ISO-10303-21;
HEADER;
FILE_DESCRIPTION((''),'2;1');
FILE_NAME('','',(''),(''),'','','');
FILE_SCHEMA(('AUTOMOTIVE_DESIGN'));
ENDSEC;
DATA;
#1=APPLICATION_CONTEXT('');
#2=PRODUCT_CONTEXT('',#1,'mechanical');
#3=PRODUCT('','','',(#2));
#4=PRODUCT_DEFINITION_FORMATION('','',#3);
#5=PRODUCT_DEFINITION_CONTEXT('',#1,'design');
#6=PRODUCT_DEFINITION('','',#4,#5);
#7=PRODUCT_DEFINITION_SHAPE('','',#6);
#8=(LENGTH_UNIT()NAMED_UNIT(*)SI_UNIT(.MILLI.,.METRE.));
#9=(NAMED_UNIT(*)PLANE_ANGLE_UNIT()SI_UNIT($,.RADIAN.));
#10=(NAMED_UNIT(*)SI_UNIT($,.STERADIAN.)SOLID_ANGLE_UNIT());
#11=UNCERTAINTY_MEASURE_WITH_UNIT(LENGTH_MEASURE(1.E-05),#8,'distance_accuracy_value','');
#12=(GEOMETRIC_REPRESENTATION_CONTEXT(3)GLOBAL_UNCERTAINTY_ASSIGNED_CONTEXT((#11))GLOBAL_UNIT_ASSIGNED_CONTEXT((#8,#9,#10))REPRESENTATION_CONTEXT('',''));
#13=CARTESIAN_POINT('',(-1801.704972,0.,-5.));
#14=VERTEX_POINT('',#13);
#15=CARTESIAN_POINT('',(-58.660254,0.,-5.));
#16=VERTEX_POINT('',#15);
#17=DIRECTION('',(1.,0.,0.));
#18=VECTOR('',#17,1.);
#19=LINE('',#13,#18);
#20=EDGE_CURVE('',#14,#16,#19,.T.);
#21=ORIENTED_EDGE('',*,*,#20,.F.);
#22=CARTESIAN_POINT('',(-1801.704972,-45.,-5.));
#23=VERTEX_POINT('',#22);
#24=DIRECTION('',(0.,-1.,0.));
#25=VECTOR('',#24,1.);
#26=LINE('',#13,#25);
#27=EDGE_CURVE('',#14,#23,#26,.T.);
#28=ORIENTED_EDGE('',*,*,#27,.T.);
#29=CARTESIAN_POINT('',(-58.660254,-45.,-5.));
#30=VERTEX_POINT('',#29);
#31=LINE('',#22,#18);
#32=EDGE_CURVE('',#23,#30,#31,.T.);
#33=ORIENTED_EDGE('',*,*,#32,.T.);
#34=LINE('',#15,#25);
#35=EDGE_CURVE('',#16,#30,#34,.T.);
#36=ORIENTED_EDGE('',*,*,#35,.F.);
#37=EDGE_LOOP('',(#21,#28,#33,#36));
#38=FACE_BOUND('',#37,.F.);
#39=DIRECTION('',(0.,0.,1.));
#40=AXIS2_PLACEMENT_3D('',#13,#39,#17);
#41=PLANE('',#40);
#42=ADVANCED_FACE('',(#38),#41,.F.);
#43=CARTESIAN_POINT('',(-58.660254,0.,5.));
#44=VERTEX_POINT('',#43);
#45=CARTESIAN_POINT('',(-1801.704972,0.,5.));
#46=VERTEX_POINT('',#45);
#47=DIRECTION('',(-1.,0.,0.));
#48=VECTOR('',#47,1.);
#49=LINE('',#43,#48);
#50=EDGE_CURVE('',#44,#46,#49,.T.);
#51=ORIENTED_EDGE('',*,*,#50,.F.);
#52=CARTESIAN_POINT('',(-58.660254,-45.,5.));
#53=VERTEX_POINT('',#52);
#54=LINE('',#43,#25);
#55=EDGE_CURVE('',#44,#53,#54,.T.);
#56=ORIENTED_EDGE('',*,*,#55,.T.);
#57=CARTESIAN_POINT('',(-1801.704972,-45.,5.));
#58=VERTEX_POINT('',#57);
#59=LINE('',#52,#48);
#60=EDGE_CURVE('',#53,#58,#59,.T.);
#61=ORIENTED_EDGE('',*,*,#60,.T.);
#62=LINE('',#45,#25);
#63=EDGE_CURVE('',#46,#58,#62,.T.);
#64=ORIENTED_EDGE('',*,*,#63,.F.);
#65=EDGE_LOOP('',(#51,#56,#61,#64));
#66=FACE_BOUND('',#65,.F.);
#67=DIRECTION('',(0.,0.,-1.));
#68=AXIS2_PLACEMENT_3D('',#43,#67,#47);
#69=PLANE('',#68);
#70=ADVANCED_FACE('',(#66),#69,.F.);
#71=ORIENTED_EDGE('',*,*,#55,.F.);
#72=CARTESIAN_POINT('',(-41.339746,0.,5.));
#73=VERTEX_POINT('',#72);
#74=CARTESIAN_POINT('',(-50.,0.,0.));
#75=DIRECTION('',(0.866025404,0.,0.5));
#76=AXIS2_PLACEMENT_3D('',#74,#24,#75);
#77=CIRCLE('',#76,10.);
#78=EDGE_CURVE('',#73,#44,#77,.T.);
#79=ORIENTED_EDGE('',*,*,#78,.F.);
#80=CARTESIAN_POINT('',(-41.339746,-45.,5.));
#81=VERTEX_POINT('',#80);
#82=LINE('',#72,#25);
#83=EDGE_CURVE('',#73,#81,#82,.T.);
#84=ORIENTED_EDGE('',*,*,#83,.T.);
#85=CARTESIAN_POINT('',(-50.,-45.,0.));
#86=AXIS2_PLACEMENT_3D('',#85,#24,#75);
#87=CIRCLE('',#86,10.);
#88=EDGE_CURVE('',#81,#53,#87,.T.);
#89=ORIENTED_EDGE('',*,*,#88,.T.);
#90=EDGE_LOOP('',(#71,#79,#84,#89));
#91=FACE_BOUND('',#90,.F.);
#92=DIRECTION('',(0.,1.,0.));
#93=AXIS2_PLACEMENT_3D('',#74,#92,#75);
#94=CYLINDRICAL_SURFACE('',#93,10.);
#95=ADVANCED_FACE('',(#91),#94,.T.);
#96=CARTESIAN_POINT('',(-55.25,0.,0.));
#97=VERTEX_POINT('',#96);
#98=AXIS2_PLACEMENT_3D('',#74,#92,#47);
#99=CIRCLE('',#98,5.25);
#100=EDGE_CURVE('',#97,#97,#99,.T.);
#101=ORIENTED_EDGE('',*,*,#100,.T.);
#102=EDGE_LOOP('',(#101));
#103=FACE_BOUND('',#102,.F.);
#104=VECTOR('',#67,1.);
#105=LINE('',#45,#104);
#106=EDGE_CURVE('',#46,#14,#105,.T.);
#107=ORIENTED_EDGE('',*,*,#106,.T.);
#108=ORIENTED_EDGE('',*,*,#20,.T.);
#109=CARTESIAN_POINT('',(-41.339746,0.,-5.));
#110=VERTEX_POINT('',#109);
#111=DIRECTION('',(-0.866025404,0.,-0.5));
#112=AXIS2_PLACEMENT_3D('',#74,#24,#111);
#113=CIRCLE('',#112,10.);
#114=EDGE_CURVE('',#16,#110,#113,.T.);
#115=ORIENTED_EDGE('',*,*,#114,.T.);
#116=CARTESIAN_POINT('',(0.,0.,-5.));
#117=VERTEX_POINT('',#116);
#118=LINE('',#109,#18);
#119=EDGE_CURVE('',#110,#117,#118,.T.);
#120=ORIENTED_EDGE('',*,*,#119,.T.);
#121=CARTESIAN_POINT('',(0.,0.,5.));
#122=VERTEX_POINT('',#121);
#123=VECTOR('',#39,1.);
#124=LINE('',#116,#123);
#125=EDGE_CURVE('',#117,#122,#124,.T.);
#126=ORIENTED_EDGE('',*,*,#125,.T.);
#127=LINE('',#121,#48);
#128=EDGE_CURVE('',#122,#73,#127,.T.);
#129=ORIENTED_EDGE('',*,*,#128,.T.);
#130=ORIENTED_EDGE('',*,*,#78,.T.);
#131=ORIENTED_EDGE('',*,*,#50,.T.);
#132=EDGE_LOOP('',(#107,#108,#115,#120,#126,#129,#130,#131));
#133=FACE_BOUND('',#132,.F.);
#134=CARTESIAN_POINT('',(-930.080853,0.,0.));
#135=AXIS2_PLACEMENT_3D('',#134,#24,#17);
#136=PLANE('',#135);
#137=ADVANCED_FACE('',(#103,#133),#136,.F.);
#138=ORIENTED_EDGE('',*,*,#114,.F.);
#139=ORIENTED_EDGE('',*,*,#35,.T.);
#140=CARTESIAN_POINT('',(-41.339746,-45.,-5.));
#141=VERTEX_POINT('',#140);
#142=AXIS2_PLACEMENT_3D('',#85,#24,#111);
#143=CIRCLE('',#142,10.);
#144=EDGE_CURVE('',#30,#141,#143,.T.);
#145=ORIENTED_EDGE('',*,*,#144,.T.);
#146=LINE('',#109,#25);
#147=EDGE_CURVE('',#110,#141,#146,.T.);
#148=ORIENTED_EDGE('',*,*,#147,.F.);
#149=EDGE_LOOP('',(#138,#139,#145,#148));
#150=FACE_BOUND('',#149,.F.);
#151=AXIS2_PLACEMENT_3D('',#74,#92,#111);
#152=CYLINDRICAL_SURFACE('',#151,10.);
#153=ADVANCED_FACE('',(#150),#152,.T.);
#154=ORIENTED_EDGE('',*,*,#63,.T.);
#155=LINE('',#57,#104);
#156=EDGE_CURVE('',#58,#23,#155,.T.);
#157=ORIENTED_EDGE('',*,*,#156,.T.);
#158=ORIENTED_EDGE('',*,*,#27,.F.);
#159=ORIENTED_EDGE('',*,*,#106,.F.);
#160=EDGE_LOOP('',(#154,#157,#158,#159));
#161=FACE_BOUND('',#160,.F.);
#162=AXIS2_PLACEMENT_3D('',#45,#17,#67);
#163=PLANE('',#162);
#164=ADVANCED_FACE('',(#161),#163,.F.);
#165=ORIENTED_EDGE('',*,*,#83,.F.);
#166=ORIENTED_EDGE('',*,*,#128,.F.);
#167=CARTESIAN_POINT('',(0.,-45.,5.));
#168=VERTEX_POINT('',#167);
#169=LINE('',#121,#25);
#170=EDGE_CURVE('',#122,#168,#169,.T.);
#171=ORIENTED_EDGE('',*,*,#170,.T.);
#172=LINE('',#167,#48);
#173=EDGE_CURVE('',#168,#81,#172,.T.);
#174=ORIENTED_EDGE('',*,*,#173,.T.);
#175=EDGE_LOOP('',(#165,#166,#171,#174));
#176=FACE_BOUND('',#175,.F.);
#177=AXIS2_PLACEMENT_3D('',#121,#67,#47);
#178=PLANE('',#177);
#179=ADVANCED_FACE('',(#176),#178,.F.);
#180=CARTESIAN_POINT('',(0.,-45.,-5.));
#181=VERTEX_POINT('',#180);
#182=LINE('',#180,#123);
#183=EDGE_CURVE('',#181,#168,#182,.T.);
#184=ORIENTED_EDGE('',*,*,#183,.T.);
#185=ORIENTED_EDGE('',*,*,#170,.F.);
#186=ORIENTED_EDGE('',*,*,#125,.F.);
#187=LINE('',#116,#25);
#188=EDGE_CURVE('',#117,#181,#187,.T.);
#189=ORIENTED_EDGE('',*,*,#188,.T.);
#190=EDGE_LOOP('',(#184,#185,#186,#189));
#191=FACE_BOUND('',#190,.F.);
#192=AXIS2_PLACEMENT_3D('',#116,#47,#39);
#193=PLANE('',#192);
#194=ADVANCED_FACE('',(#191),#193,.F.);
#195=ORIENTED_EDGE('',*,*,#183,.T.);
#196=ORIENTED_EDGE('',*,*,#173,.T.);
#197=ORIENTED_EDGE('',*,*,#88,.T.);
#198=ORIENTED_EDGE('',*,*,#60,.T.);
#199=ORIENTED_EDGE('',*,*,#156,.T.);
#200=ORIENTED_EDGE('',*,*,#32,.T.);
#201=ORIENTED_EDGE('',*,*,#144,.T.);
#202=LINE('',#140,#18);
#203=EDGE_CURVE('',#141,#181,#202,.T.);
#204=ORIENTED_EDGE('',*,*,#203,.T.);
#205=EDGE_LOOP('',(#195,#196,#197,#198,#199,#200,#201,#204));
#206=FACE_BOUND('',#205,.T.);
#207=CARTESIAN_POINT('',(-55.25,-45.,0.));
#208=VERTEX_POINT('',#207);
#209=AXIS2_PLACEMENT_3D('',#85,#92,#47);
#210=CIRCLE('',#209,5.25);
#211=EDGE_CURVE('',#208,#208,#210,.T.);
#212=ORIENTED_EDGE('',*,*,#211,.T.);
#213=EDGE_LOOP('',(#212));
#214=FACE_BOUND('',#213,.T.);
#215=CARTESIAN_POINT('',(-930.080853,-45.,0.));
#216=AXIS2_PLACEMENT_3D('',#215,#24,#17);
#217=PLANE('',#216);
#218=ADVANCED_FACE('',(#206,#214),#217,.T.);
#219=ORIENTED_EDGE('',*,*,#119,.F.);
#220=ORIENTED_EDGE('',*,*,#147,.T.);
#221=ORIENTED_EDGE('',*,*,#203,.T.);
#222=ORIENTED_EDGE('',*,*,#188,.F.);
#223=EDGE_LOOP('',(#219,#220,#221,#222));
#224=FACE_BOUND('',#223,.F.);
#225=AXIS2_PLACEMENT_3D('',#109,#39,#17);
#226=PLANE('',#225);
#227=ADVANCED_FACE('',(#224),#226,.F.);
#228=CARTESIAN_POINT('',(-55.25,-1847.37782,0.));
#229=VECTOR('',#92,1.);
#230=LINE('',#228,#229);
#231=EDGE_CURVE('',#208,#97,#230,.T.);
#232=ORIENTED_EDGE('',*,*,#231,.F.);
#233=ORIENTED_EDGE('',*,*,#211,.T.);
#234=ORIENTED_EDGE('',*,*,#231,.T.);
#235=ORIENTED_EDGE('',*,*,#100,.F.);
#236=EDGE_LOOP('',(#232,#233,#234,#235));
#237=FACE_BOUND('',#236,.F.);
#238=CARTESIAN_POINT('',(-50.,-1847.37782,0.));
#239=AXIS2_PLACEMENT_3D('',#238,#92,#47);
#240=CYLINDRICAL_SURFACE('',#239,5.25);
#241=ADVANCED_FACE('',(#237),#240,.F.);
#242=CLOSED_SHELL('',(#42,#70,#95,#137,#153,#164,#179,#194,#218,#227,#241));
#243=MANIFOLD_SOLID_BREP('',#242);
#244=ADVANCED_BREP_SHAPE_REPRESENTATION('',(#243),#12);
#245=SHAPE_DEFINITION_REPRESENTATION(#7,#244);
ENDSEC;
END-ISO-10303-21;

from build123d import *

# Parameters (mm, degrees)
F1_DEPTH = 45
F3_D     = 10.5


with BuildPart() as f1:
    # F0 (on Front) → F1 (new body)
    with BuildSketch(Plane.XZ):
        with BuildLine():
            Line((-58.6602540378, 5), (-1801.7049721594, 5))
            Line((-1801.7049721594, 5), (-1801.7049721594, -5))
            Line((-1801.7049721594, -5), (-58.6602540378, -5))
            ThreePointArc((-58.6602540378, -5), (-60, 0), (-58.6602540378, 5))
        make_face()
        with BuildLine():
            ThreePointArc((-41.3397459622, 5), (-50, 10), (-58.6602540378, 5))
            ThreePointArc((-58.6602540378, 5), (-60, 0), (-58.6602540378, -5))
            ThreePointArc((-58.6602540378, -5), (-50, -10), (-41.3397459622, -5))
            ThreePointArc((-41.3397459622, -5), (-40.3407417371, -2.588190451), (-40, 0))
            ThreePointArc((-40, 0), (-40.3407417371, 2.588190451), (-41.3397459622, 5))
        make_face()
        with BuildLine():
            Line((0, 5), (-41.3397459622, 5))
            ThreePointArc((-41.3397459622, 5), (-40.3407417371, 2.588190451), (-40, 0))
            ThreePointArc((-40, 0), (-40.3407417371, -2.588190451), (-41.3397459622, -5))
            Line((-41.3397459622, -5), (0, -5))
            Line((0, -5), (0, 5))
        make_face()
    extrude(amount=F1_DEPTH)

    # F3 (through all)
    with Locations(Plane.XZ.offset(45)):
        with Locations((-50, 0)):
            Hole(F3_D / 2)


solid = f1.part
